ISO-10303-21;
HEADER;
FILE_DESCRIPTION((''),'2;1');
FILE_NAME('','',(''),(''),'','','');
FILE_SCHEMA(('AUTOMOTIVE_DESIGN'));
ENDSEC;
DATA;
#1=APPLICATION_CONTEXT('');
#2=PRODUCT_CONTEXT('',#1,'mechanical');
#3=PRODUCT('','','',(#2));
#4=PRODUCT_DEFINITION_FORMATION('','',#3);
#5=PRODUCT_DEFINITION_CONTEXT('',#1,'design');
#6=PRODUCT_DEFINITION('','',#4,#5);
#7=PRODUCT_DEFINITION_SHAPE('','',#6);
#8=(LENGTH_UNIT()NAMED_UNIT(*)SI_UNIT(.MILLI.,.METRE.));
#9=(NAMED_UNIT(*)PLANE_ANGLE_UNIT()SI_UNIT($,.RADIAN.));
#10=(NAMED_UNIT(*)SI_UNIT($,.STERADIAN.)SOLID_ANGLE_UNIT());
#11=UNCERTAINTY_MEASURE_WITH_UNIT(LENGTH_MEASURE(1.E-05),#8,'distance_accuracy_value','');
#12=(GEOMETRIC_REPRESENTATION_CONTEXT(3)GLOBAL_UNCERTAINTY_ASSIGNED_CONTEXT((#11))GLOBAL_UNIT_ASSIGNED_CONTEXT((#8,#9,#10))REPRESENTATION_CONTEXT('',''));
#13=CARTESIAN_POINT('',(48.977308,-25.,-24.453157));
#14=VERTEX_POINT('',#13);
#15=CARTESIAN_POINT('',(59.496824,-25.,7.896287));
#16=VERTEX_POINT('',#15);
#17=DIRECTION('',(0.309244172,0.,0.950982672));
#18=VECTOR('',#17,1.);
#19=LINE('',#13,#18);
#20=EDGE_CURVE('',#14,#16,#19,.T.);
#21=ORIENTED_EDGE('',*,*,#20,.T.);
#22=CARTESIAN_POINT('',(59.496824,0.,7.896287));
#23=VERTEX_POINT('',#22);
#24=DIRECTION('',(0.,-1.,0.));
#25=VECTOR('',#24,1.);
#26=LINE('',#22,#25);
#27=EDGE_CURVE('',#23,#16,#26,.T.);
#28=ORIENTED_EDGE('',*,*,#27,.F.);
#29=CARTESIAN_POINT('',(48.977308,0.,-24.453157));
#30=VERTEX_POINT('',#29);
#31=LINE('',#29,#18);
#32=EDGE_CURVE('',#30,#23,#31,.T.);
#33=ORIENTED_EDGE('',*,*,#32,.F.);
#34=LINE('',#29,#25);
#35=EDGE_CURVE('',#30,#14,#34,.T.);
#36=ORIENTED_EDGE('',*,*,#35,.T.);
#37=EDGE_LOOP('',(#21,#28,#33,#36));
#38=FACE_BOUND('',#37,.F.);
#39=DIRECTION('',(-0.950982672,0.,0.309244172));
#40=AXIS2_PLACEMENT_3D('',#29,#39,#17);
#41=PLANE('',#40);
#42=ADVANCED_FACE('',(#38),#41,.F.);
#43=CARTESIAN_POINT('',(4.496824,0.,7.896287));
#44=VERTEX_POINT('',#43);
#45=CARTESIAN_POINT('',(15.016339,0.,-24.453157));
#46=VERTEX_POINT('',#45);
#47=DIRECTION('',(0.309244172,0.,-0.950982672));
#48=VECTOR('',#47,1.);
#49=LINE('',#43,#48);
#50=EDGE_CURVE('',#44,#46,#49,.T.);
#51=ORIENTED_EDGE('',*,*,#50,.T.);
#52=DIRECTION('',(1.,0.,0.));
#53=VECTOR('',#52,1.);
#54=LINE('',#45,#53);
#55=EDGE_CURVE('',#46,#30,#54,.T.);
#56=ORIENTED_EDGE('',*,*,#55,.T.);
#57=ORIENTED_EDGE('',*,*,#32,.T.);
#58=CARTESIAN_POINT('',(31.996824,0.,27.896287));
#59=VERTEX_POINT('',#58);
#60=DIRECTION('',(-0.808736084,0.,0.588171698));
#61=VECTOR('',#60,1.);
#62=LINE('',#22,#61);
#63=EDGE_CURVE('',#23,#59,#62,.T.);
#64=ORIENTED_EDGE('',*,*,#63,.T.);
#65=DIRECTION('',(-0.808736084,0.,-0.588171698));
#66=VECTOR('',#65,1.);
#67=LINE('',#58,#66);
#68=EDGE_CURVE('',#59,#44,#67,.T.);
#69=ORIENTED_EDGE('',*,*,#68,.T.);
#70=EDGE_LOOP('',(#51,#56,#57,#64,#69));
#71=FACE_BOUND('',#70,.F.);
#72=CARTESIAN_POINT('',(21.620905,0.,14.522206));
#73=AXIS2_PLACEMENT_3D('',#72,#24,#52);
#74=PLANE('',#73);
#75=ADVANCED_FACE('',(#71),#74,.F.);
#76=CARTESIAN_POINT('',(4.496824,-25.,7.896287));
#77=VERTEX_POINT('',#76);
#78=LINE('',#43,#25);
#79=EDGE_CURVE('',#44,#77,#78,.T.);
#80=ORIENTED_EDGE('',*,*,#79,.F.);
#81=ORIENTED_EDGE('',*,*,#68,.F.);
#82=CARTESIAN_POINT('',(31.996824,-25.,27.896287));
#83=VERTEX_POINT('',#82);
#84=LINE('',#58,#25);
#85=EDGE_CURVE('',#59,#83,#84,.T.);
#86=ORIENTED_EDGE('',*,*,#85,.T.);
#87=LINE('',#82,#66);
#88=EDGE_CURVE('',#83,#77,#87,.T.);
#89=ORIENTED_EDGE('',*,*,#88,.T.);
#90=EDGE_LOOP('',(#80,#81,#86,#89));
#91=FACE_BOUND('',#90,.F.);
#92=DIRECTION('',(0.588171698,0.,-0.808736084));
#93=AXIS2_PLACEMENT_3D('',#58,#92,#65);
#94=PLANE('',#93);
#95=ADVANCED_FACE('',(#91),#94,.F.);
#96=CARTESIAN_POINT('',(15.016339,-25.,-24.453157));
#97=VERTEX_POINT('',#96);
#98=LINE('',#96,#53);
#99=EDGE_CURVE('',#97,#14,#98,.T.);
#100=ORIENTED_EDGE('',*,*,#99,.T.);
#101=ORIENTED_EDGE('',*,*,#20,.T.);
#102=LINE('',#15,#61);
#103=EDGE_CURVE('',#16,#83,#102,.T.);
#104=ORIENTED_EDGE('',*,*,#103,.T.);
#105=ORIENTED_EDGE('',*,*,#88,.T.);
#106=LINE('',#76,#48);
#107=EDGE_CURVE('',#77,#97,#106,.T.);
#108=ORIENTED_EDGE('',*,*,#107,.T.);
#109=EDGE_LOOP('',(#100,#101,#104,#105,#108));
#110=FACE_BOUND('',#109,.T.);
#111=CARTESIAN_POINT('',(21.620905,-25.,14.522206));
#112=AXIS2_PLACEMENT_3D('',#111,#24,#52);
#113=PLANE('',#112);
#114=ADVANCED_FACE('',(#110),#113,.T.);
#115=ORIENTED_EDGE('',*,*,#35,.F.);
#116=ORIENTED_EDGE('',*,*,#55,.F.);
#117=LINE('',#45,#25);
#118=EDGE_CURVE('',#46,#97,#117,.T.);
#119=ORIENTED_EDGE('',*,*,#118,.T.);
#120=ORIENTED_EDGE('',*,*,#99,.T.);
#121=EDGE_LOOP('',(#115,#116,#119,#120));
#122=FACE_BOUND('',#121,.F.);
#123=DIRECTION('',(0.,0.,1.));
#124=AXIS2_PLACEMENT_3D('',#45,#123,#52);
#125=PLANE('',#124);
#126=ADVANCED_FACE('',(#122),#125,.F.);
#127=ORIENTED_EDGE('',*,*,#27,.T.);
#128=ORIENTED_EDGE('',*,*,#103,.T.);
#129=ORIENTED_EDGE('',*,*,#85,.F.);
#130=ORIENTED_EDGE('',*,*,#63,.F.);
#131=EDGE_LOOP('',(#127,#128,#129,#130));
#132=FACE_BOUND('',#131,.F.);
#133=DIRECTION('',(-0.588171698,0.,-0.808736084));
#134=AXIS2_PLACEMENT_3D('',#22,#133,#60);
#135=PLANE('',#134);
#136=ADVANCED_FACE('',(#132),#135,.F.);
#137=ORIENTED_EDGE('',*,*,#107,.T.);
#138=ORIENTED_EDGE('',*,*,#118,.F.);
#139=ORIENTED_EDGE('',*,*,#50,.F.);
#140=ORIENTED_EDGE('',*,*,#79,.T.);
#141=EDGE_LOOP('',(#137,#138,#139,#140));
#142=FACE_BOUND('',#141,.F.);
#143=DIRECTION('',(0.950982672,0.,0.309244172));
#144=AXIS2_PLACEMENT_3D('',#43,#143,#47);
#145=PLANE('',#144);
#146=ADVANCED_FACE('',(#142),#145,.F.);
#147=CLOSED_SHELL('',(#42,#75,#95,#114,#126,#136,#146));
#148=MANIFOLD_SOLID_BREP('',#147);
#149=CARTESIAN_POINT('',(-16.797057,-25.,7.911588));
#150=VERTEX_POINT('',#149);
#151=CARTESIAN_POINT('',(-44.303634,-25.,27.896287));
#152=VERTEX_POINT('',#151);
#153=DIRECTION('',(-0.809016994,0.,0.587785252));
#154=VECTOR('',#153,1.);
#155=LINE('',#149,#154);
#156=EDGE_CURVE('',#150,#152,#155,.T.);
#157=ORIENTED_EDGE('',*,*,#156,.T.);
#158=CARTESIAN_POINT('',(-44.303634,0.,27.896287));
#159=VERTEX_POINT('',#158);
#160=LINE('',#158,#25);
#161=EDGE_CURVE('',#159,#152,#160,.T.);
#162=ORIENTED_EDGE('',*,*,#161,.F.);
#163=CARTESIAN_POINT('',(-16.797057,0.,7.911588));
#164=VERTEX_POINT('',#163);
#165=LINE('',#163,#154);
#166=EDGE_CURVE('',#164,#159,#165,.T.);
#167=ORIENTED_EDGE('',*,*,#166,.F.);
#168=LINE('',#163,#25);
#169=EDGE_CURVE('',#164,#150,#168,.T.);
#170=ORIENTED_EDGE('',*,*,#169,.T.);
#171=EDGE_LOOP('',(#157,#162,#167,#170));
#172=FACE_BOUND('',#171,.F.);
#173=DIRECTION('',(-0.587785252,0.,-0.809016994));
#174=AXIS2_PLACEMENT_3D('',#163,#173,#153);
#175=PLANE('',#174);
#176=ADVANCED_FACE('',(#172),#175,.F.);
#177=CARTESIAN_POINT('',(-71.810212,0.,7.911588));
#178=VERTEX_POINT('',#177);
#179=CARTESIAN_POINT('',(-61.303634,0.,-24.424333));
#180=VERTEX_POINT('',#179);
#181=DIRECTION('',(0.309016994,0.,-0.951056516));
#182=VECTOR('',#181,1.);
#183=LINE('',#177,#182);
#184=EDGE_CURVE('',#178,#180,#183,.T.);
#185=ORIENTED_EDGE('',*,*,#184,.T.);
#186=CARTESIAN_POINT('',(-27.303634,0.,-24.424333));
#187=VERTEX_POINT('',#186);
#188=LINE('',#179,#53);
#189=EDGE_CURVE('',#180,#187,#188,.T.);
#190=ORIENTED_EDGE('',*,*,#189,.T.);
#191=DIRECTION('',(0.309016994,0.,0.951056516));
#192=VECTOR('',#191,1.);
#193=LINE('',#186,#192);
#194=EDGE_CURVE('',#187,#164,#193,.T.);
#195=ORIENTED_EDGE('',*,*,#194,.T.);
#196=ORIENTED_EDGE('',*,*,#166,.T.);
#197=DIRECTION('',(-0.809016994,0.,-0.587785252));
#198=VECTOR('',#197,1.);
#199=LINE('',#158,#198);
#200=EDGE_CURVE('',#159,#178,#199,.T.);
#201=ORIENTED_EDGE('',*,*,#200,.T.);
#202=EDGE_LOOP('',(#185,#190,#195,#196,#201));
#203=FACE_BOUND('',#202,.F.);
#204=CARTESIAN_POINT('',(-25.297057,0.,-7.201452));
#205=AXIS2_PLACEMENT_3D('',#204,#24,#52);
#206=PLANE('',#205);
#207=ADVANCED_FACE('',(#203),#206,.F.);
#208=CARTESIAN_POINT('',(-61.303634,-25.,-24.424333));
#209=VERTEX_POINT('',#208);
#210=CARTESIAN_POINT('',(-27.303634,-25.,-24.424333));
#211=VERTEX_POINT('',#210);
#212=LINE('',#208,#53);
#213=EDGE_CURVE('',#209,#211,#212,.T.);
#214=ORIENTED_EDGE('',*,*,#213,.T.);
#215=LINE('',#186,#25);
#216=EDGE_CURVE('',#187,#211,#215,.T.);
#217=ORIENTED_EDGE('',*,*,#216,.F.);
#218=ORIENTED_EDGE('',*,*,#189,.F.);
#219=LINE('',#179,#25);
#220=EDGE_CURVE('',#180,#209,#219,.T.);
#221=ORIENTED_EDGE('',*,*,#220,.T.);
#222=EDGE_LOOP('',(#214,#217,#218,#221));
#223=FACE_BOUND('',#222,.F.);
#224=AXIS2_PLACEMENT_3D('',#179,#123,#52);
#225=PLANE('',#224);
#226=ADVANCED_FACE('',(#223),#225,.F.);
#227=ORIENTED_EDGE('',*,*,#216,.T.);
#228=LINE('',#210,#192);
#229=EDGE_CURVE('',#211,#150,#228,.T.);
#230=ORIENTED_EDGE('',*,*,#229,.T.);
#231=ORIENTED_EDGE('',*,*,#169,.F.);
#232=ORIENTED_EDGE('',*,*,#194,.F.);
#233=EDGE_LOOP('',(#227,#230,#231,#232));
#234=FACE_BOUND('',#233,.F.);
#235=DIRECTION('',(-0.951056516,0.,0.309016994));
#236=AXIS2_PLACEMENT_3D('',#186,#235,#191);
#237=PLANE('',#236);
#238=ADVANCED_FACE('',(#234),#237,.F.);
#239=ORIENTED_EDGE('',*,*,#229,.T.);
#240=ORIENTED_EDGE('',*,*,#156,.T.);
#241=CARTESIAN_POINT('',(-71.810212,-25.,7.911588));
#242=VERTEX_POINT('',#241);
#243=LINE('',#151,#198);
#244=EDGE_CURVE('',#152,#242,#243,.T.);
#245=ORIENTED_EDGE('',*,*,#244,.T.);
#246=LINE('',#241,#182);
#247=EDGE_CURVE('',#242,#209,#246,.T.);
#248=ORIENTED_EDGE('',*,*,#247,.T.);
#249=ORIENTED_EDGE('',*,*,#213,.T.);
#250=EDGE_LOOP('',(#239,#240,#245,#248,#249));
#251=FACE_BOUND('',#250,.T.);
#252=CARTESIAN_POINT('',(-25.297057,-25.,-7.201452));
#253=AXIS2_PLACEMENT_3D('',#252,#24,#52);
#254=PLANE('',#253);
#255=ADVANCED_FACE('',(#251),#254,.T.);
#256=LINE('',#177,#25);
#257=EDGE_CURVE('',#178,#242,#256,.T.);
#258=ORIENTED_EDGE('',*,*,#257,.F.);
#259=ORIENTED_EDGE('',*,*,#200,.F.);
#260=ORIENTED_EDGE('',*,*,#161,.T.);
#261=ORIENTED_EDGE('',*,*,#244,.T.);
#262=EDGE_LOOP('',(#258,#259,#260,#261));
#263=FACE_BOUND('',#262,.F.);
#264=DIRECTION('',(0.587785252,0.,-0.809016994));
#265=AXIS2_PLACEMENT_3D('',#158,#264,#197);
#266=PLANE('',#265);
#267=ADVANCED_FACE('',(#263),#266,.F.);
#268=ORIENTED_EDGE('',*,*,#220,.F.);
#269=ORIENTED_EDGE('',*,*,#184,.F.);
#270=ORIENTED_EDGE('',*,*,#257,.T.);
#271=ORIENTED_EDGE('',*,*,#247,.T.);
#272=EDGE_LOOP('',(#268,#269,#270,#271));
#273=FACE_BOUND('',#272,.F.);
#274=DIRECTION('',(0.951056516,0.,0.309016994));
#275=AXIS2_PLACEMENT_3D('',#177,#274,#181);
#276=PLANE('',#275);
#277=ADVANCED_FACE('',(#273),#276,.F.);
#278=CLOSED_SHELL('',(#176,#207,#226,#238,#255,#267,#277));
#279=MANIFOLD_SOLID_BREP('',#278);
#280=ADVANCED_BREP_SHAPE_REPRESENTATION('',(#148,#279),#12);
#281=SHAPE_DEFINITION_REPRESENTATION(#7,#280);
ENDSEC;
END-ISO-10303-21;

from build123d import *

# Parameters (mm, degrees)
F1_DEPTH = 25


with BuildPart() as f1:
    # F0 (on Front) → F1 (new body)
    with BuildSketch(Plane.XZ):
        Polygon((-33.7970565723, -4.4396347863), (-27.303634381, -24.4243333643), (-16.7970565723, 7.9115881898), align=None)
        Polygon((-61.303634381, -24.4243333643), (-27.303634381, -24.4243333643), (-44.303634381, -12.0731103882), align=None)
        Polygon((-44.303634381, -12.0731103882), (-27.303634381, -24.4243333643), (-33.7970565723, -4.4396347863), align=None)
        Polygon((-71.8102121898, 7.9115881898), (-61.303634381, -24.4243333643), (-54.8102121898, -4.4396347863), align=None)
        Polygon((-54.8102121898, -4.4396347863), (-61.303634381, -24.4243333643), (-44.303634381, -12.0731103882), align=None)
        Polygon((-37.8102121898, 7.9115881898), (-16.7970565723, 7.9115881898), (-44.303634381, 27.8962867677), align=None)
        Polygon((-33.7970565723, -4.4396347863), (-16.7970565723, 7.9115881898), (-37.8102121898, 7.9115881898), align=None)
        Polygon((-44.303634381, 27.8962867677), (-71.8102121898, 7.9115881898), (-50.7970565723, 7.9115881898), align=None)
        Polygon((-50.7970565723, 7.9115881898), (-71.8102121898, 7.9115881898), (-54.8102121898, -4.4396347863), align=None)
        Polygon((-37.8102121898, 7.9115881898), (-44.303634381, 27.8962867677), (-50.7970565723, 7.9115881898), align=None)
        Polygon((-54.8102121898, -4.4396347863), (-44.303634381, -12.0731103882), (-33.7970565723, -4.4396347863), (-37.8102121898, 7.9115881898), (-50.7970565723, 7.9115881898), align=None)
    extrude(amount=F1_DEPTH)


with BuildPart() as f1b:
    # F0 (on Front) → F1, piece 2 (new body)
    with BuildSketch(Plane.XZ):
        Polygon((31.9968238473, 7.8962867677), (31.9968238473, 27.8962867677), (4.4968238473, 7.8962867677), align=None)
        Polygon((59.4968238473, 7.8962867677), (31.9968238473, 27.8962867677), (31.9968238473, 7.8962867677), align=None)
        Polygon((31.9968238473, 7.8962867677), (4.4968238473, 7.8962867677), (15.0163392106, -24.4531566044), (31.9968238473, -12.1037132323), align=None)
        Polygon((31.9968238473, -12.1037132323), (59.4968238473, 7.8962867677), (31.9968238473, 7.8962867677), align=None)
        Polygon((48.977308484, -24.4531566044), (59.4968238473, 7.8962867677), (31.9968238473, -12.1037132323), (31.9968238473, -24.4531566044), align=None)
        Polygon((31.9968238473, -12.1037132323), (15.0163392106, -24.4531566044), (31.9968238473, -24.4531566044), align=None)
    extrude(amount=F1_DEPTH)


solid = Compound([f1.part, f1b.part])
